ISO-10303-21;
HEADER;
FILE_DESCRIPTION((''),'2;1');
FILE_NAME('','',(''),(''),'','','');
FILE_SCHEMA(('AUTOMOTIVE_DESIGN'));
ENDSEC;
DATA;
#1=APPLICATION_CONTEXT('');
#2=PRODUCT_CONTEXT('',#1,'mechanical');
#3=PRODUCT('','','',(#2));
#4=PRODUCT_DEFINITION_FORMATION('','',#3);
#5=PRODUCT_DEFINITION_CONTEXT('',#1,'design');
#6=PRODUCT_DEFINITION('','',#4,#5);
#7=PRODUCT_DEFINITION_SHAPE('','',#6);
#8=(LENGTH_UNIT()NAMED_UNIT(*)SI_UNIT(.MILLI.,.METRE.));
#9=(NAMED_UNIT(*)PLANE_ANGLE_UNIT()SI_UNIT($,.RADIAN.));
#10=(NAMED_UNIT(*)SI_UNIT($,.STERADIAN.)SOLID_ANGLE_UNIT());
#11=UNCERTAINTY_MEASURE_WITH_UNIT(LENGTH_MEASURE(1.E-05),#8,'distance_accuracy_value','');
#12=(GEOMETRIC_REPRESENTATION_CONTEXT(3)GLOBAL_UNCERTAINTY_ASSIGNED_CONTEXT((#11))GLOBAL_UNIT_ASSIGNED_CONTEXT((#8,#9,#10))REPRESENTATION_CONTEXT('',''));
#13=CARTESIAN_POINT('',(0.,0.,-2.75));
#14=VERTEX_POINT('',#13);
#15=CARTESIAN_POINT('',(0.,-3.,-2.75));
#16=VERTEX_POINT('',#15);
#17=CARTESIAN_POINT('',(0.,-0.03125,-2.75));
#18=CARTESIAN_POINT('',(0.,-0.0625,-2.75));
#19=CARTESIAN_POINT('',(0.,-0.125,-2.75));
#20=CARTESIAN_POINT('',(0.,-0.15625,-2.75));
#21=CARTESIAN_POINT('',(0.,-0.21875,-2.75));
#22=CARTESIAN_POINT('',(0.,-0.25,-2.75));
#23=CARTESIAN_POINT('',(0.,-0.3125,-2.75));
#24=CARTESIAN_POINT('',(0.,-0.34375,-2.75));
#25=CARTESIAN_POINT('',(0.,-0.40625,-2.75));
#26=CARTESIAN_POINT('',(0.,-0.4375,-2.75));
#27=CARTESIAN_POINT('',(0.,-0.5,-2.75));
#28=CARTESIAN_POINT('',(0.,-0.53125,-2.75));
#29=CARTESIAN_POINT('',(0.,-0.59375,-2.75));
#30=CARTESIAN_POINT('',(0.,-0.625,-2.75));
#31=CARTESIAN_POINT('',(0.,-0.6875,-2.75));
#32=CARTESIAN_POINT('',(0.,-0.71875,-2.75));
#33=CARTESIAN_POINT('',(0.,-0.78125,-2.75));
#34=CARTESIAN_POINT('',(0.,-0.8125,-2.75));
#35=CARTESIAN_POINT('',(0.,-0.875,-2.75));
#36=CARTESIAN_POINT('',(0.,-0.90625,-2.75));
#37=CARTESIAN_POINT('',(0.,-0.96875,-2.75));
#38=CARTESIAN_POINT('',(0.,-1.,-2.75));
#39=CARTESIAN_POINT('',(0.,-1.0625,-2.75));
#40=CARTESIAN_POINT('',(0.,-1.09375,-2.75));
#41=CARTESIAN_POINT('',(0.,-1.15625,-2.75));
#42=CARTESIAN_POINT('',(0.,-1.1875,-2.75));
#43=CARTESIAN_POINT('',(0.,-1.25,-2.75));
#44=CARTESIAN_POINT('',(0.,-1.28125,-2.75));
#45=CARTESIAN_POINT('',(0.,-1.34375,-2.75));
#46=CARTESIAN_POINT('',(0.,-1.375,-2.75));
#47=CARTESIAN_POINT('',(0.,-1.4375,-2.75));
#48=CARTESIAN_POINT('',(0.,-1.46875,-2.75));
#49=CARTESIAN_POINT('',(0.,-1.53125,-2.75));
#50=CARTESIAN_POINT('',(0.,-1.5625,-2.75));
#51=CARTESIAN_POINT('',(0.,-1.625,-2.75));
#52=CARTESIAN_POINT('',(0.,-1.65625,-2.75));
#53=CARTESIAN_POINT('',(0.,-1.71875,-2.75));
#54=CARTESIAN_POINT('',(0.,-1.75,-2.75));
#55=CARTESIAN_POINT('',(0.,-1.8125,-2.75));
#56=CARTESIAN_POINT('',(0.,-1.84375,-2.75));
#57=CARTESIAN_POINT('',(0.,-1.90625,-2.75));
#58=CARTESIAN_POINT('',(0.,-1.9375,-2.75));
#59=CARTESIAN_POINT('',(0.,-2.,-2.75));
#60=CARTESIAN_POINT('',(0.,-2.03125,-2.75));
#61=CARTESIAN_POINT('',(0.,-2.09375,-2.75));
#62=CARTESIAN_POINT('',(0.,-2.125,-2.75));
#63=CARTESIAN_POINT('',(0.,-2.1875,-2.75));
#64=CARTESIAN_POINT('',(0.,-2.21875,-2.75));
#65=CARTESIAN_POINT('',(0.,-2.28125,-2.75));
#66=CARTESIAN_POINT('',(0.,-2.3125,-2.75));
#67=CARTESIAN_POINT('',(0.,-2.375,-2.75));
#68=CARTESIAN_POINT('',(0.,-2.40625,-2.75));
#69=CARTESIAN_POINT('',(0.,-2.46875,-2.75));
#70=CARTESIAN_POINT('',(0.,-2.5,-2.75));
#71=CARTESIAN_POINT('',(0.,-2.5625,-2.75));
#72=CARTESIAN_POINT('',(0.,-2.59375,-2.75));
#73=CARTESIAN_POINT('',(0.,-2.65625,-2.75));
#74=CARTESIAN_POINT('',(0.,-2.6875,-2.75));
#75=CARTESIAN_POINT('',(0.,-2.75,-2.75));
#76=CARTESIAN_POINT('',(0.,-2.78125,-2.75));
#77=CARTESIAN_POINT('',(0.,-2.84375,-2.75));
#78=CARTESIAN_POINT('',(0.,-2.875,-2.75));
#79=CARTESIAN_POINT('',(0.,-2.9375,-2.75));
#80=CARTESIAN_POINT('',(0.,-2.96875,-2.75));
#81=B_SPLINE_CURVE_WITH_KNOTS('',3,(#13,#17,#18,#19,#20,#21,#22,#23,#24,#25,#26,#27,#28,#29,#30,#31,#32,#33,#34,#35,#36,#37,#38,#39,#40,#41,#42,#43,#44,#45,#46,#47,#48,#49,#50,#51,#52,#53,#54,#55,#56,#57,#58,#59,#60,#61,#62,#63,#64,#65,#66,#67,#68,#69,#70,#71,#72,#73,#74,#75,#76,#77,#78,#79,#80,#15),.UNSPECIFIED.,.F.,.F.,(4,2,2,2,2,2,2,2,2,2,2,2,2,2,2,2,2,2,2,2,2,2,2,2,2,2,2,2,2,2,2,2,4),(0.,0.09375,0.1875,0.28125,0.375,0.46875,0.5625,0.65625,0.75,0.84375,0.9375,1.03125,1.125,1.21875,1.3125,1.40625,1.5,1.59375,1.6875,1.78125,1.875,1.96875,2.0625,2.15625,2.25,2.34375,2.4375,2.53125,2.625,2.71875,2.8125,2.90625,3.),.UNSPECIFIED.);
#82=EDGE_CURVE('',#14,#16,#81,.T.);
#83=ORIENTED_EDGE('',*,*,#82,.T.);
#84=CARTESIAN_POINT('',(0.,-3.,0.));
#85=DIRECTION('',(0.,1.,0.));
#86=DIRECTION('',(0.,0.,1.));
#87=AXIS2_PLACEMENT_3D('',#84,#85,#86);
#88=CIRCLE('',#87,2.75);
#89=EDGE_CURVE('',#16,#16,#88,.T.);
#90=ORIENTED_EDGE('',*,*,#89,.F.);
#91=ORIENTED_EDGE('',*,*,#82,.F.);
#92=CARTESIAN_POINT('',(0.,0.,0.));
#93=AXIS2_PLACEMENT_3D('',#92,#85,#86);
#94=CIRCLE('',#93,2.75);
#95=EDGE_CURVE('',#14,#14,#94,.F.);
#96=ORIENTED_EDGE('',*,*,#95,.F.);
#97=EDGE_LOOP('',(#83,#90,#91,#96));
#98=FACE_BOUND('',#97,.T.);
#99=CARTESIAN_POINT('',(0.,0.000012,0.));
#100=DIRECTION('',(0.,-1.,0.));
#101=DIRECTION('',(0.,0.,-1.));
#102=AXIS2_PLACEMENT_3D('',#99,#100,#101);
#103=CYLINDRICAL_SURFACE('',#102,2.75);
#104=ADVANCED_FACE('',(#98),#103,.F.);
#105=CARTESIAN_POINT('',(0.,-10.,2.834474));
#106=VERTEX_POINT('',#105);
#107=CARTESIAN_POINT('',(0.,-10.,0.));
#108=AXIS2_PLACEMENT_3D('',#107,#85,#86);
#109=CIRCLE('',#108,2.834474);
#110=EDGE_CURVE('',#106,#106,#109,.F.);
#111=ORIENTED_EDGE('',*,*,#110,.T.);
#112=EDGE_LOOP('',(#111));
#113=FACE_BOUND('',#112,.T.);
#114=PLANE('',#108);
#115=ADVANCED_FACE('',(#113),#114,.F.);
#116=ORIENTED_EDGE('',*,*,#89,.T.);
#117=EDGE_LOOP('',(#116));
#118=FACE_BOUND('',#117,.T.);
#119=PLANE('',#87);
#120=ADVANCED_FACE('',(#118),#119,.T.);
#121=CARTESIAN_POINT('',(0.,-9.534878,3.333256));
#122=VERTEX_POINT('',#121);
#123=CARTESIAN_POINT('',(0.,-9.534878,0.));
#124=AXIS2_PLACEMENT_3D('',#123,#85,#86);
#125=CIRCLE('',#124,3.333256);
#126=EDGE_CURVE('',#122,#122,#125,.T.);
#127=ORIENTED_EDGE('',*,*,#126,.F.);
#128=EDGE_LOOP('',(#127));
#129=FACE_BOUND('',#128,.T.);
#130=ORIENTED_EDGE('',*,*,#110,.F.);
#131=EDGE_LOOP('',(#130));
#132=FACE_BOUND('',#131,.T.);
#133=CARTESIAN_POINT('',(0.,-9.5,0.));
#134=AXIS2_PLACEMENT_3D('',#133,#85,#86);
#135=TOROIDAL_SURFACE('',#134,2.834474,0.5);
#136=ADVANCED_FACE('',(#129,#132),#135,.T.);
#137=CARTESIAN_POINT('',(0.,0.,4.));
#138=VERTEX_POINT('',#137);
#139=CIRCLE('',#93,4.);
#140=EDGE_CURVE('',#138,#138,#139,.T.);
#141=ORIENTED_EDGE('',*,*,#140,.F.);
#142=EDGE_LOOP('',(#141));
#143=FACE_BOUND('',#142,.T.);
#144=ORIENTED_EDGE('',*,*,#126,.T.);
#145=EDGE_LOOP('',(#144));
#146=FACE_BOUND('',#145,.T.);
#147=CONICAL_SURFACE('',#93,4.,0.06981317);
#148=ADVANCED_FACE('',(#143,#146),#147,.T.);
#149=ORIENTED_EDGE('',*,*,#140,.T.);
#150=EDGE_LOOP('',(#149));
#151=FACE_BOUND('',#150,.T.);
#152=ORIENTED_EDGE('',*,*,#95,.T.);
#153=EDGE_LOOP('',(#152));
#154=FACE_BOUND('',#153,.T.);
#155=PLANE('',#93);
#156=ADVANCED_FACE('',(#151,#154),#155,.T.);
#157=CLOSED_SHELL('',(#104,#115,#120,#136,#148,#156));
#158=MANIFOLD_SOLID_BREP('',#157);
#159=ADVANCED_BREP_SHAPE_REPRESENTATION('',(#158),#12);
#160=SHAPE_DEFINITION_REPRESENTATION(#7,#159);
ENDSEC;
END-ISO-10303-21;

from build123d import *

# Parameters (mm, degrees)
SKETCH1_R               = 4
BOSS_EXTRUDE1_DEPTH     = 10
BOSS_EXTRUDE1_DRAFT     = -4
SKETCH2_R               = 2.75
BOSS_EXTRUDE2_DEPTH     = 3
CUT_EXTRUDE1_DEPTH      = 12.489125293
CUT_EXTRUDE1_DEPTH_BACK = 3
SKETCH2_3_R             = 2.75
FILLET1_R               = 0.5


with BuildPart() as part:
    # Sketch1 → Boss-Extrude1 (with draft: the straight prism first)
    with BuildSketch(Plane(origin=(0, 0, 0), x_dir=(1, 0, 0), z_dir=(0, 1, 0))):
        Circle(SKETCH1_R)
    extrude(amount=-BOSS_EXTRUDE1_DEPTH)
    # Boss-Extrude1: the draft: its side faces are tilted about the plane it starts from
    boss_extrude1_sides = [part.faces().sort_by_distance(p)[0] for p in [
        (-4, -5, 0),
    ]]
    draft(boss_extrude1_sides, Plane(origin=(0, 0, 0), x_dir=(1, 0, 0), z_dir=(0, 1, 0)), BOSS_EXTRUDE1_DRAFT)

    # Sketch2 → Boss-Extrude2 (add)
    with BuildSketch(Plane(origin=(0, 0, 0), x_dir=(1, 0, 0), z_dir=(0, 1, 0))):
        Circle(SKETCH2_R)
    extrude(amount=-BOSS_EXTRUDE2_DEPTH)

    # Sketch2<3> → Cut-Extrude1 (cut, two sides: drawn at the far end of the back side and taken through both)
    with BuildSketch(Plane(origin=(0, 0, 0), x_dir=(1, 0, 0), z_dir=(0, 1, 0)).offset(-CUT_EXTRUDE1_DEPTH_BACK)):
        Circle(SKETCH2_3_R)
    extrude(amount=CUT_EXTRUDE1_DEPTH + CUT_EXTRUDE1_DEPTH_BACK, mode=Mode.SUBTRACT)

    # Fillet1
    fillet1_edges = [part.edges().sort_by_distance(p)[0] for p in [
        (-3.300731881, -10, 0),
    ]]
    fillet(fillet1_edges, radius=FILLET1_R)


solid = part.part
